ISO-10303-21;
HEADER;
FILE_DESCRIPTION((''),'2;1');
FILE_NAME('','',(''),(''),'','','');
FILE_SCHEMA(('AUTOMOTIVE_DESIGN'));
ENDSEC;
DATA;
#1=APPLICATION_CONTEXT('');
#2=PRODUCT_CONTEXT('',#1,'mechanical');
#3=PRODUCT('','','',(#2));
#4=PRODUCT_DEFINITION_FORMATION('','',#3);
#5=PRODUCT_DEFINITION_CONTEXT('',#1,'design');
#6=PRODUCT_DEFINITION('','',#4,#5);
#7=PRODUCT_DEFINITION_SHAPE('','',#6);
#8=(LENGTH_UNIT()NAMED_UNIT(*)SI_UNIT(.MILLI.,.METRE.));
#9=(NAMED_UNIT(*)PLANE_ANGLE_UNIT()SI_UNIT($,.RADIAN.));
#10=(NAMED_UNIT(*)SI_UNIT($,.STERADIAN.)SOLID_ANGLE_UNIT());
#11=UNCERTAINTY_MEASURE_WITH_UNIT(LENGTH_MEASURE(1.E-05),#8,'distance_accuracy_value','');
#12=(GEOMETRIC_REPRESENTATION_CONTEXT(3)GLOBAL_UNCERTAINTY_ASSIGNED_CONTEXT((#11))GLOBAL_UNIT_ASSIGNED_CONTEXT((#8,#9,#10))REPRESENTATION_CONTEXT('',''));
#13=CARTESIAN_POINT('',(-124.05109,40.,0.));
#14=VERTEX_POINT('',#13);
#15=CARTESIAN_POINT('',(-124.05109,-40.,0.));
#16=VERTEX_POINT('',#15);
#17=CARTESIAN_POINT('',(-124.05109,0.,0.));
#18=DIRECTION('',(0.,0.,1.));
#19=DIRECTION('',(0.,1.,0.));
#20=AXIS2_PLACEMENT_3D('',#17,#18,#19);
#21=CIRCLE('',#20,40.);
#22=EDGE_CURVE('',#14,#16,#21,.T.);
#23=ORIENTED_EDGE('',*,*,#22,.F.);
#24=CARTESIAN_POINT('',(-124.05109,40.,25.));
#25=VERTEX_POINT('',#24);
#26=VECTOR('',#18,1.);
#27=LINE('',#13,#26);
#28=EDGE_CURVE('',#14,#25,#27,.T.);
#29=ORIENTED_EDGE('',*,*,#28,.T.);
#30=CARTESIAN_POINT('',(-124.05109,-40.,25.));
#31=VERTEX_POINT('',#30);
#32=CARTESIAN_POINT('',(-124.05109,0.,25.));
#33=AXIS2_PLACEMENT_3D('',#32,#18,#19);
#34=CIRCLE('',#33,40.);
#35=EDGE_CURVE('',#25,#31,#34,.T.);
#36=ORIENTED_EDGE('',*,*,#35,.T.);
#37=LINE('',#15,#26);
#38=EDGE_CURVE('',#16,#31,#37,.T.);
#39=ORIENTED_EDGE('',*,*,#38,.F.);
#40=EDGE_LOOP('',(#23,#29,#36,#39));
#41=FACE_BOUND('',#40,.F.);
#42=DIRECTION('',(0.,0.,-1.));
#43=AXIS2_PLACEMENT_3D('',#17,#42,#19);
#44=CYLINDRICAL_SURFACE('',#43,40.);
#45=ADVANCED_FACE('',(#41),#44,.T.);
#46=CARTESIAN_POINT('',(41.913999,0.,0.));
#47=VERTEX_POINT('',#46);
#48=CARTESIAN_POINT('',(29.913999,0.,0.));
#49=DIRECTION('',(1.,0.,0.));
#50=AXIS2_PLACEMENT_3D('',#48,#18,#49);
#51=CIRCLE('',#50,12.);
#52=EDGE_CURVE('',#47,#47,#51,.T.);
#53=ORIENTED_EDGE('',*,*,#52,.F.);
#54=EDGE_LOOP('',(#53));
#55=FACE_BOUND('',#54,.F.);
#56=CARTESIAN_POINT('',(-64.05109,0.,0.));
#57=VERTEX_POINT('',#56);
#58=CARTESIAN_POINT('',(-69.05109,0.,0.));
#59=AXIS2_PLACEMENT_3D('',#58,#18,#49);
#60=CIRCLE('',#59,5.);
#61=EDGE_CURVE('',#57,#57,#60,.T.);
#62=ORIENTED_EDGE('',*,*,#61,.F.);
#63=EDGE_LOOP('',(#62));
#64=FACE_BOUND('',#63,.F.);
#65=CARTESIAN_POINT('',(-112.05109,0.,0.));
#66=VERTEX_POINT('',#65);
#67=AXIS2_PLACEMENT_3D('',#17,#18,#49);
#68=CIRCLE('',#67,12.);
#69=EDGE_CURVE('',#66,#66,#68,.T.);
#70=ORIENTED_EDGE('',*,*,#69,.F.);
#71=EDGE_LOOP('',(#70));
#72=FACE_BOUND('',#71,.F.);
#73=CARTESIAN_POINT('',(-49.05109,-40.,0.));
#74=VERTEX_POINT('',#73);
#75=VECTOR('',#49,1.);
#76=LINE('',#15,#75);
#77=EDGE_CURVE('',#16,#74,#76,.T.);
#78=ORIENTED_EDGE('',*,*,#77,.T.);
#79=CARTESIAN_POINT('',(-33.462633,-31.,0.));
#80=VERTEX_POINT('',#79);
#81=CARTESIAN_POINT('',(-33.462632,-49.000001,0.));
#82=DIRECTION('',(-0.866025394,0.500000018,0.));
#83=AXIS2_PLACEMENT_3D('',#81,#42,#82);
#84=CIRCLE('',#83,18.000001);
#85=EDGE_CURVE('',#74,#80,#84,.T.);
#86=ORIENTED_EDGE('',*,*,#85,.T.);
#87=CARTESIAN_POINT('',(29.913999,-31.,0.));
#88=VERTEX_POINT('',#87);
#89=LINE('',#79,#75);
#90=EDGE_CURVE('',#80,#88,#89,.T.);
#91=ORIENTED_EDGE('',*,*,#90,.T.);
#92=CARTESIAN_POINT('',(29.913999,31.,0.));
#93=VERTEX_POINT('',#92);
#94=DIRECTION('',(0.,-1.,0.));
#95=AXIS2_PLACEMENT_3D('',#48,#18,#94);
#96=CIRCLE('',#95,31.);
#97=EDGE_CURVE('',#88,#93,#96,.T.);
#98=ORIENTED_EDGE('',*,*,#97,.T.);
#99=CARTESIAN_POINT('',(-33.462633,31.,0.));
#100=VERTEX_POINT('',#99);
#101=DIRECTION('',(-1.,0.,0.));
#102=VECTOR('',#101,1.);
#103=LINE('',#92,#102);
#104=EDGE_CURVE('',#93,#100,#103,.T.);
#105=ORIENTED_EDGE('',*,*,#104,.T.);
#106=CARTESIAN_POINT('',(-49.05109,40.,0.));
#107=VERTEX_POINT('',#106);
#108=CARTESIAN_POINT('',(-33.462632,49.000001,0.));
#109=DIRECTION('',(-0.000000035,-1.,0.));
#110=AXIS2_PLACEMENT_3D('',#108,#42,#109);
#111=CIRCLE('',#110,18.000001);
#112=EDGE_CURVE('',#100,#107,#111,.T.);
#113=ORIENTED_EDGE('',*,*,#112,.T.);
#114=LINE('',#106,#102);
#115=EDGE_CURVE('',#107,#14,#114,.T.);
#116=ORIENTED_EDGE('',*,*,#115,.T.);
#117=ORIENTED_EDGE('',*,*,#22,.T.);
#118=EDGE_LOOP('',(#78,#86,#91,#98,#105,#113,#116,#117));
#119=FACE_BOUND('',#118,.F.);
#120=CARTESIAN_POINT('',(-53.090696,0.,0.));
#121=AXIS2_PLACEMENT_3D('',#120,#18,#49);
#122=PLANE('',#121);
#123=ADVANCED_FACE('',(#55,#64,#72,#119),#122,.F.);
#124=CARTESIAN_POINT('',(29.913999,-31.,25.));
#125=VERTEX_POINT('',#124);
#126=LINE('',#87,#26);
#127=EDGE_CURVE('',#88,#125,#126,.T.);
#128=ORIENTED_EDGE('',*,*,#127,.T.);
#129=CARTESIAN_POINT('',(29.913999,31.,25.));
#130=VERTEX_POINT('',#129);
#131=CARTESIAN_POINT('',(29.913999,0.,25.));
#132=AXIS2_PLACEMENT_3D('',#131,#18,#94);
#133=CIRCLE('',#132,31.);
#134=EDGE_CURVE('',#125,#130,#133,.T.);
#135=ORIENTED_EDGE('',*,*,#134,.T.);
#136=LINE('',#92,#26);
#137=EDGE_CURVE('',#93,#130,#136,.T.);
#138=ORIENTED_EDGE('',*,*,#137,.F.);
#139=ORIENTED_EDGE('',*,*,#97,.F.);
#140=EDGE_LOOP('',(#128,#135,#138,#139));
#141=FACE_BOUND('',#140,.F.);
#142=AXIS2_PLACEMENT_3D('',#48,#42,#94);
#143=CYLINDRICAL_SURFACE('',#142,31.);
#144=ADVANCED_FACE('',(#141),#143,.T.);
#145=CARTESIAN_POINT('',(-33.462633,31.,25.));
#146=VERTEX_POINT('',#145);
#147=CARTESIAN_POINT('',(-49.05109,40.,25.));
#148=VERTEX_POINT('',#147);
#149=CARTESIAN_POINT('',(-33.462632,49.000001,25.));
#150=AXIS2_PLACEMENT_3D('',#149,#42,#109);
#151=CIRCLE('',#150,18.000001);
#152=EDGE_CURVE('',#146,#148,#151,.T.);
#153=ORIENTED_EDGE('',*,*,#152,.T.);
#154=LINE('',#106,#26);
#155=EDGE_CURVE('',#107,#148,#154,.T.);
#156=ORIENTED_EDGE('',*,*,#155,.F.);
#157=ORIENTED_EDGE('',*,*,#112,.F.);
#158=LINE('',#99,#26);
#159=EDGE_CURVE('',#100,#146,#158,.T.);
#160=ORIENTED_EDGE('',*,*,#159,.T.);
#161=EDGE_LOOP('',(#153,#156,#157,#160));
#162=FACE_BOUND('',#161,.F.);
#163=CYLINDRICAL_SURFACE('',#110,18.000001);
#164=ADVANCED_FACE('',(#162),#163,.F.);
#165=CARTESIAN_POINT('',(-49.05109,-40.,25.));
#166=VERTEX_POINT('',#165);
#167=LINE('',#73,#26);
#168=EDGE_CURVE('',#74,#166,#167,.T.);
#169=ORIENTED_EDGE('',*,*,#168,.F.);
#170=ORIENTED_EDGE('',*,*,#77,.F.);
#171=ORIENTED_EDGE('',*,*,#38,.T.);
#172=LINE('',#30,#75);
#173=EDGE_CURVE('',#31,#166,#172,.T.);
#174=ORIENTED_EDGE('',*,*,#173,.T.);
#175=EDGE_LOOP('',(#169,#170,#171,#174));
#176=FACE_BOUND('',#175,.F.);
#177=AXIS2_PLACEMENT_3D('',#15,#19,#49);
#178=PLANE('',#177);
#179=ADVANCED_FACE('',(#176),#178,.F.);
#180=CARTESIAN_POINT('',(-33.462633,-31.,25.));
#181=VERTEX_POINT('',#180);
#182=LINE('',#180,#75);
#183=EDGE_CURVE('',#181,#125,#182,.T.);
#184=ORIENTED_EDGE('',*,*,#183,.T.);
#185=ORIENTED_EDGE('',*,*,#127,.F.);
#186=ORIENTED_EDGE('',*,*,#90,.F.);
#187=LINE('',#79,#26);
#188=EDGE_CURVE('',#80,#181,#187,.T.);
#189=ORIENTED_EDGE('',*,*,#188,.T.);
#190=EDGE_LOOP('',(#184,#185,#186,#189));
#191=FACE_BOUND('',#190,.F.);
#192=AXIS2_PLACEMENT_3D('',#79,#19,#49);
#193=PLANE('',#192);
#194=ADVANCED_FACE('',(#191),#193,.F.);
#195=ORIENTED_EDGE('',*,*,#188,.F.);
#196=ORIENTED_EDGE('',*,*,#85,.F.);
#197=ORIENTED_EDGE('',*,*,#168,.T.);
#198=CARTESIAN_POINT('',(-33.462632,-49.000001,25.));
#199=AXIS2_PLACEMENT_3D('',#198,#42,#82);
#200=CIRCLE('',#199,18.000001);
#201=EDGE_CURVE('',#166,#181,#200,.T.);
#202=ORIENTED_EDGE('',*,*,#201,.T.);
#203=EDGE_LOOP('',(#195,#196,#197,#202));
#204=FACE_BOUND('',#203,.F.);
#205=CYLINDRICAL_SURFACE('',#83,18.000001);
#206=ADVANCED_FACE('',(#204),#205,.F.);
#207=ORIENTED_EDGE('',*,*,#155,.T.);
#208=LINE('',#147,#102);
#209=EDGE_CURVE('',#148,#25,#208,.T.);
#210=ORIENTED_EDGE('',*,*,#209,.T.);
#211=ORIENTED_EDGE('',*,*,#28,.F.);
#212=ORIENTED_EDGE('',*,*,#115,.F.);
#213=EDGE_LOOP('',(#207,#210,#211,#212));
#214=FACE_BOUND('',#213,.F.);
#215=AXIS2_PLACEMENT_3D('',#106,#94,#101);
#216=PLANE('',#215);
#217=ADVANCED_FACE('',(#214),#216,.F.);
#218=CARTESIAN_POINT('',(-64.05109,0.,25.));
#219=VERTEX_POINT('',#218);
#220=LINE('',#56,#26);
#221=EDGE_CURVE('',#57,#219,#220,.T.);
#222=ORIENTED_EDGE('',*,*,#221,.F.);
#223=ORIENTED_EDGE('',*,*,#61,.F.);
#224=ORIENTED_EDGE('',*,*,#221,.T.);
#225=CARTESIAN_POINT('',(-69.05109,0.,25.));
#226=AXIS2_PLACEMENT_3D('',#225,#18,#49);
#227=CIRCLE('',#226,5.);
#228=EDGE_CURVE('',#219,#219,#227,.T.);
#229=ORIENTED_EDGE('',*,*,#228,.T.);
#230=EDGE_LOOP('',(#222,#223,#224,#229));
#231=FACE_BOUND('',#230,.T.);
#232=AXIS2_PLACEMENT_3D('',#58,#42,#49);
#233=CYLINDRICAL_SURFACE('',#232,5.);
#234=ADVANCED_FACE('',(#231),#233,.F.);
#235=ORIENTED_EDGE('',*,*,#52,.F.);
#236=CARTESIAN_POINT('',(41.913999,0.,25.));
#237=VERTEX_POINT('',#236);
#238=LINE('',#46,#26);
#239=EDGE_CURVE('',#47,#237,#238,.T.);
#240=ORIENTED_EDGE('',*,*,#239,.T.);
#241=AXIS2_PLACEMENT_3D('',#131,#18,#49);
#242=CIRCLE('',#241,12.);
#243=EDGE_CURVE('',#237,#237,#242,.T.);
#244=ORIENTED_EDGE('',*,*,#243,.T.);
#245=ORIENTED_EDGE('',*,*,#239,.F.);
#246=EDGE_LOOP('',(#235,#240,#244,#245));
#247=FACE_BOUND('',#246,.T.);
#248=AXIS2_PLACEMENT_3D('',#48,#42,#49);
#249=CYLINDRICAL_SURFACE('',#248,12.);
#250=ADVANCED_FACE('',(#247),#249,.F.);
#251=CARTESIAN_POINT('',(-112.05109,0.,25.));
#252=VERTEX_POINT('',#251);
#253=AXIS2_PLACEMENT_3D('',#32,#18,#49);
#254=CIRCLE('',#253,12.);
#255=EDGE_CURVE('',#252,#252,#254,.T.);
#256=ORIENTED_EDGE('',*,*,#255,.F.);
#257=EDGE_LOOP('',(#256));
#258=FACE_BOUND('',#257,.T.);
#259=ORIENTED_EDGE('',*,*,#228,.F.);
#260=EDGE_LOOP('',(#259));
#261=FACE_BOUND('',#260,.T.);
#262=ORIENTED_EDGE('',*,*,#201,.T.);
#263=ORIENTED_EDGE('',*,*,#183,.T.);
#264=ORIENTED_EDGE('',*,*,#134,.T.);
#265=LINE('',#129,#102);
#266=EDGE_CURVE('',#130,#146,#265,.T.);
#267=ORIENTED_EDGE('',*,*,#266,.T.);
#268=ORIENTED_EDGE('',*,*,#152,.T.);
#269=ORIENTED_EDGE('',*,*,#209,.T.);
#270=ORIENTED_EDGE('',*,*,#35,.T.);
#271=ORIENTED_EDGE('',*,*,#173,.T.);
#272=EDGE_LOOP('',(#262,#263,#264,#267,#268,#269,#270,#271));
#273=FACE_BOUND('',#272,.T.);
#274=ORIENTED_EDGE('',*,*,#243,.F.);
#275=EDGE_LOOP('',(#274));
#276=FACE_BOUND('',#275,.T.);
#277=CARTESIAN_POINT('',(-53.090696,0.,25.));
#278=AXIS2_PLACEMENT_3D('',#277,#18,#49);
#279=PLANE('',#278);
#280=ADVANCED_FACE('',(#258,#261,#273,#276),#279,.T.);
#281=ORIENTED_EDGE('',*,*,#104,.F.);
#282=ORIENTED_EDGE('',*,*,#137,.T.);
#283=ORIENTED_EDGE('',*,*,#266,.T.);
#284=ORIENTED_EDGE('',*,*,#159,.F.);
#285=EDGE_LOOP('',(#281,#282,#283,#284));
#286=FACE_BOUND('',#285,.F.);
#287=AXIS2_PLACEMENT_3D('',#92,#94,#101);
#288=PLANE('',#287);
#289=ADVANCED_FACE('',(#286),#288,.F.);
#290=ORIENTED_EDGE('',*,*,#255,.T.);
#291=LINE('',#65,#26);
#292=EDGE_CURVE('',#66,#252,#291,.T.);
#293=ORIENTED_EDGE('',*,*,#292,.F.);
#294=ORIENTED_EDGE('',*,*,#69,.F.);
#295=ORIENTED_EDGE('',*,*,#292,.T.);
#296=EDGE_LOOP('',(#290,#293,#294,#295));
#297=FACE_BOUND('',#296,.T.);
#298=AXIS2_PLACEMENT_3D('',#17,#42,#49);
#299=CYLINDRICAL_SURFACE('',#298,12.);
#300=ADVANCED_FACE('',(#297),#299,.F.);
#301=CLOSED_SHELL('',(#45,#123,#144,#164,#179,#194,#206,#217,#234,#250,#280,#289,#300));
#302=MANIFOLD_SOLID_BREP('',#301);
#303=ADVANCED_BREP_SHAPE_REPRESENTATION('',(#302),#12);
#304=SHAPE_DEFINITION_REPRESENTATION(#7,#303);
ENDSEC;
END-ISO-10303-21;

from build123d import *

# Parameters (mm, degrees)
F0_R     = 12
F0_R_2   = 5
F1_DEPTH = 25


with BuildPart() as f1:
    # F0 (on Top) → F1 (new body)
    with BuildSketch(Plane.XY):
        with BuildLine():
            Line((-49.05109, 40), (-124.05109, 40))
            ThreePointArc((-124.05109, 40), (-164.05109, 0), (-124.05109, -40))
            Line((-124.05109, -40), (-49.05109, -40))
            ThreePointArc((-49.05109, -40), (-42.462633, -33.411543), (-33.462633, -31))
            Line((-33.462633, -31), (29.913999, -31))
            ThreePointArc((29.913999, -31), (60.913999, 0), (29.913999, 31))
            Line((29.913999, 31), (-33.462633, 31))
            ThreePointArc((-33.462633, 31), (-42.462633, 33.411543), (-49.05109, 40))
        make_face()
        with Locations((-124.05109, 0)):
            Circle(F0_R, mode=Mode.SUBTRACT)
        with Locations((-69.05109, 0)):
            Circle(F0_R_2, mode=Mode.SUBTRACT)
        with Locations((29.913999, 0)):
            Circle(F0_R, mode=Mode.SUBTRACT)
    extrude(amount=F1_DEPTH)


solid = f1.part
